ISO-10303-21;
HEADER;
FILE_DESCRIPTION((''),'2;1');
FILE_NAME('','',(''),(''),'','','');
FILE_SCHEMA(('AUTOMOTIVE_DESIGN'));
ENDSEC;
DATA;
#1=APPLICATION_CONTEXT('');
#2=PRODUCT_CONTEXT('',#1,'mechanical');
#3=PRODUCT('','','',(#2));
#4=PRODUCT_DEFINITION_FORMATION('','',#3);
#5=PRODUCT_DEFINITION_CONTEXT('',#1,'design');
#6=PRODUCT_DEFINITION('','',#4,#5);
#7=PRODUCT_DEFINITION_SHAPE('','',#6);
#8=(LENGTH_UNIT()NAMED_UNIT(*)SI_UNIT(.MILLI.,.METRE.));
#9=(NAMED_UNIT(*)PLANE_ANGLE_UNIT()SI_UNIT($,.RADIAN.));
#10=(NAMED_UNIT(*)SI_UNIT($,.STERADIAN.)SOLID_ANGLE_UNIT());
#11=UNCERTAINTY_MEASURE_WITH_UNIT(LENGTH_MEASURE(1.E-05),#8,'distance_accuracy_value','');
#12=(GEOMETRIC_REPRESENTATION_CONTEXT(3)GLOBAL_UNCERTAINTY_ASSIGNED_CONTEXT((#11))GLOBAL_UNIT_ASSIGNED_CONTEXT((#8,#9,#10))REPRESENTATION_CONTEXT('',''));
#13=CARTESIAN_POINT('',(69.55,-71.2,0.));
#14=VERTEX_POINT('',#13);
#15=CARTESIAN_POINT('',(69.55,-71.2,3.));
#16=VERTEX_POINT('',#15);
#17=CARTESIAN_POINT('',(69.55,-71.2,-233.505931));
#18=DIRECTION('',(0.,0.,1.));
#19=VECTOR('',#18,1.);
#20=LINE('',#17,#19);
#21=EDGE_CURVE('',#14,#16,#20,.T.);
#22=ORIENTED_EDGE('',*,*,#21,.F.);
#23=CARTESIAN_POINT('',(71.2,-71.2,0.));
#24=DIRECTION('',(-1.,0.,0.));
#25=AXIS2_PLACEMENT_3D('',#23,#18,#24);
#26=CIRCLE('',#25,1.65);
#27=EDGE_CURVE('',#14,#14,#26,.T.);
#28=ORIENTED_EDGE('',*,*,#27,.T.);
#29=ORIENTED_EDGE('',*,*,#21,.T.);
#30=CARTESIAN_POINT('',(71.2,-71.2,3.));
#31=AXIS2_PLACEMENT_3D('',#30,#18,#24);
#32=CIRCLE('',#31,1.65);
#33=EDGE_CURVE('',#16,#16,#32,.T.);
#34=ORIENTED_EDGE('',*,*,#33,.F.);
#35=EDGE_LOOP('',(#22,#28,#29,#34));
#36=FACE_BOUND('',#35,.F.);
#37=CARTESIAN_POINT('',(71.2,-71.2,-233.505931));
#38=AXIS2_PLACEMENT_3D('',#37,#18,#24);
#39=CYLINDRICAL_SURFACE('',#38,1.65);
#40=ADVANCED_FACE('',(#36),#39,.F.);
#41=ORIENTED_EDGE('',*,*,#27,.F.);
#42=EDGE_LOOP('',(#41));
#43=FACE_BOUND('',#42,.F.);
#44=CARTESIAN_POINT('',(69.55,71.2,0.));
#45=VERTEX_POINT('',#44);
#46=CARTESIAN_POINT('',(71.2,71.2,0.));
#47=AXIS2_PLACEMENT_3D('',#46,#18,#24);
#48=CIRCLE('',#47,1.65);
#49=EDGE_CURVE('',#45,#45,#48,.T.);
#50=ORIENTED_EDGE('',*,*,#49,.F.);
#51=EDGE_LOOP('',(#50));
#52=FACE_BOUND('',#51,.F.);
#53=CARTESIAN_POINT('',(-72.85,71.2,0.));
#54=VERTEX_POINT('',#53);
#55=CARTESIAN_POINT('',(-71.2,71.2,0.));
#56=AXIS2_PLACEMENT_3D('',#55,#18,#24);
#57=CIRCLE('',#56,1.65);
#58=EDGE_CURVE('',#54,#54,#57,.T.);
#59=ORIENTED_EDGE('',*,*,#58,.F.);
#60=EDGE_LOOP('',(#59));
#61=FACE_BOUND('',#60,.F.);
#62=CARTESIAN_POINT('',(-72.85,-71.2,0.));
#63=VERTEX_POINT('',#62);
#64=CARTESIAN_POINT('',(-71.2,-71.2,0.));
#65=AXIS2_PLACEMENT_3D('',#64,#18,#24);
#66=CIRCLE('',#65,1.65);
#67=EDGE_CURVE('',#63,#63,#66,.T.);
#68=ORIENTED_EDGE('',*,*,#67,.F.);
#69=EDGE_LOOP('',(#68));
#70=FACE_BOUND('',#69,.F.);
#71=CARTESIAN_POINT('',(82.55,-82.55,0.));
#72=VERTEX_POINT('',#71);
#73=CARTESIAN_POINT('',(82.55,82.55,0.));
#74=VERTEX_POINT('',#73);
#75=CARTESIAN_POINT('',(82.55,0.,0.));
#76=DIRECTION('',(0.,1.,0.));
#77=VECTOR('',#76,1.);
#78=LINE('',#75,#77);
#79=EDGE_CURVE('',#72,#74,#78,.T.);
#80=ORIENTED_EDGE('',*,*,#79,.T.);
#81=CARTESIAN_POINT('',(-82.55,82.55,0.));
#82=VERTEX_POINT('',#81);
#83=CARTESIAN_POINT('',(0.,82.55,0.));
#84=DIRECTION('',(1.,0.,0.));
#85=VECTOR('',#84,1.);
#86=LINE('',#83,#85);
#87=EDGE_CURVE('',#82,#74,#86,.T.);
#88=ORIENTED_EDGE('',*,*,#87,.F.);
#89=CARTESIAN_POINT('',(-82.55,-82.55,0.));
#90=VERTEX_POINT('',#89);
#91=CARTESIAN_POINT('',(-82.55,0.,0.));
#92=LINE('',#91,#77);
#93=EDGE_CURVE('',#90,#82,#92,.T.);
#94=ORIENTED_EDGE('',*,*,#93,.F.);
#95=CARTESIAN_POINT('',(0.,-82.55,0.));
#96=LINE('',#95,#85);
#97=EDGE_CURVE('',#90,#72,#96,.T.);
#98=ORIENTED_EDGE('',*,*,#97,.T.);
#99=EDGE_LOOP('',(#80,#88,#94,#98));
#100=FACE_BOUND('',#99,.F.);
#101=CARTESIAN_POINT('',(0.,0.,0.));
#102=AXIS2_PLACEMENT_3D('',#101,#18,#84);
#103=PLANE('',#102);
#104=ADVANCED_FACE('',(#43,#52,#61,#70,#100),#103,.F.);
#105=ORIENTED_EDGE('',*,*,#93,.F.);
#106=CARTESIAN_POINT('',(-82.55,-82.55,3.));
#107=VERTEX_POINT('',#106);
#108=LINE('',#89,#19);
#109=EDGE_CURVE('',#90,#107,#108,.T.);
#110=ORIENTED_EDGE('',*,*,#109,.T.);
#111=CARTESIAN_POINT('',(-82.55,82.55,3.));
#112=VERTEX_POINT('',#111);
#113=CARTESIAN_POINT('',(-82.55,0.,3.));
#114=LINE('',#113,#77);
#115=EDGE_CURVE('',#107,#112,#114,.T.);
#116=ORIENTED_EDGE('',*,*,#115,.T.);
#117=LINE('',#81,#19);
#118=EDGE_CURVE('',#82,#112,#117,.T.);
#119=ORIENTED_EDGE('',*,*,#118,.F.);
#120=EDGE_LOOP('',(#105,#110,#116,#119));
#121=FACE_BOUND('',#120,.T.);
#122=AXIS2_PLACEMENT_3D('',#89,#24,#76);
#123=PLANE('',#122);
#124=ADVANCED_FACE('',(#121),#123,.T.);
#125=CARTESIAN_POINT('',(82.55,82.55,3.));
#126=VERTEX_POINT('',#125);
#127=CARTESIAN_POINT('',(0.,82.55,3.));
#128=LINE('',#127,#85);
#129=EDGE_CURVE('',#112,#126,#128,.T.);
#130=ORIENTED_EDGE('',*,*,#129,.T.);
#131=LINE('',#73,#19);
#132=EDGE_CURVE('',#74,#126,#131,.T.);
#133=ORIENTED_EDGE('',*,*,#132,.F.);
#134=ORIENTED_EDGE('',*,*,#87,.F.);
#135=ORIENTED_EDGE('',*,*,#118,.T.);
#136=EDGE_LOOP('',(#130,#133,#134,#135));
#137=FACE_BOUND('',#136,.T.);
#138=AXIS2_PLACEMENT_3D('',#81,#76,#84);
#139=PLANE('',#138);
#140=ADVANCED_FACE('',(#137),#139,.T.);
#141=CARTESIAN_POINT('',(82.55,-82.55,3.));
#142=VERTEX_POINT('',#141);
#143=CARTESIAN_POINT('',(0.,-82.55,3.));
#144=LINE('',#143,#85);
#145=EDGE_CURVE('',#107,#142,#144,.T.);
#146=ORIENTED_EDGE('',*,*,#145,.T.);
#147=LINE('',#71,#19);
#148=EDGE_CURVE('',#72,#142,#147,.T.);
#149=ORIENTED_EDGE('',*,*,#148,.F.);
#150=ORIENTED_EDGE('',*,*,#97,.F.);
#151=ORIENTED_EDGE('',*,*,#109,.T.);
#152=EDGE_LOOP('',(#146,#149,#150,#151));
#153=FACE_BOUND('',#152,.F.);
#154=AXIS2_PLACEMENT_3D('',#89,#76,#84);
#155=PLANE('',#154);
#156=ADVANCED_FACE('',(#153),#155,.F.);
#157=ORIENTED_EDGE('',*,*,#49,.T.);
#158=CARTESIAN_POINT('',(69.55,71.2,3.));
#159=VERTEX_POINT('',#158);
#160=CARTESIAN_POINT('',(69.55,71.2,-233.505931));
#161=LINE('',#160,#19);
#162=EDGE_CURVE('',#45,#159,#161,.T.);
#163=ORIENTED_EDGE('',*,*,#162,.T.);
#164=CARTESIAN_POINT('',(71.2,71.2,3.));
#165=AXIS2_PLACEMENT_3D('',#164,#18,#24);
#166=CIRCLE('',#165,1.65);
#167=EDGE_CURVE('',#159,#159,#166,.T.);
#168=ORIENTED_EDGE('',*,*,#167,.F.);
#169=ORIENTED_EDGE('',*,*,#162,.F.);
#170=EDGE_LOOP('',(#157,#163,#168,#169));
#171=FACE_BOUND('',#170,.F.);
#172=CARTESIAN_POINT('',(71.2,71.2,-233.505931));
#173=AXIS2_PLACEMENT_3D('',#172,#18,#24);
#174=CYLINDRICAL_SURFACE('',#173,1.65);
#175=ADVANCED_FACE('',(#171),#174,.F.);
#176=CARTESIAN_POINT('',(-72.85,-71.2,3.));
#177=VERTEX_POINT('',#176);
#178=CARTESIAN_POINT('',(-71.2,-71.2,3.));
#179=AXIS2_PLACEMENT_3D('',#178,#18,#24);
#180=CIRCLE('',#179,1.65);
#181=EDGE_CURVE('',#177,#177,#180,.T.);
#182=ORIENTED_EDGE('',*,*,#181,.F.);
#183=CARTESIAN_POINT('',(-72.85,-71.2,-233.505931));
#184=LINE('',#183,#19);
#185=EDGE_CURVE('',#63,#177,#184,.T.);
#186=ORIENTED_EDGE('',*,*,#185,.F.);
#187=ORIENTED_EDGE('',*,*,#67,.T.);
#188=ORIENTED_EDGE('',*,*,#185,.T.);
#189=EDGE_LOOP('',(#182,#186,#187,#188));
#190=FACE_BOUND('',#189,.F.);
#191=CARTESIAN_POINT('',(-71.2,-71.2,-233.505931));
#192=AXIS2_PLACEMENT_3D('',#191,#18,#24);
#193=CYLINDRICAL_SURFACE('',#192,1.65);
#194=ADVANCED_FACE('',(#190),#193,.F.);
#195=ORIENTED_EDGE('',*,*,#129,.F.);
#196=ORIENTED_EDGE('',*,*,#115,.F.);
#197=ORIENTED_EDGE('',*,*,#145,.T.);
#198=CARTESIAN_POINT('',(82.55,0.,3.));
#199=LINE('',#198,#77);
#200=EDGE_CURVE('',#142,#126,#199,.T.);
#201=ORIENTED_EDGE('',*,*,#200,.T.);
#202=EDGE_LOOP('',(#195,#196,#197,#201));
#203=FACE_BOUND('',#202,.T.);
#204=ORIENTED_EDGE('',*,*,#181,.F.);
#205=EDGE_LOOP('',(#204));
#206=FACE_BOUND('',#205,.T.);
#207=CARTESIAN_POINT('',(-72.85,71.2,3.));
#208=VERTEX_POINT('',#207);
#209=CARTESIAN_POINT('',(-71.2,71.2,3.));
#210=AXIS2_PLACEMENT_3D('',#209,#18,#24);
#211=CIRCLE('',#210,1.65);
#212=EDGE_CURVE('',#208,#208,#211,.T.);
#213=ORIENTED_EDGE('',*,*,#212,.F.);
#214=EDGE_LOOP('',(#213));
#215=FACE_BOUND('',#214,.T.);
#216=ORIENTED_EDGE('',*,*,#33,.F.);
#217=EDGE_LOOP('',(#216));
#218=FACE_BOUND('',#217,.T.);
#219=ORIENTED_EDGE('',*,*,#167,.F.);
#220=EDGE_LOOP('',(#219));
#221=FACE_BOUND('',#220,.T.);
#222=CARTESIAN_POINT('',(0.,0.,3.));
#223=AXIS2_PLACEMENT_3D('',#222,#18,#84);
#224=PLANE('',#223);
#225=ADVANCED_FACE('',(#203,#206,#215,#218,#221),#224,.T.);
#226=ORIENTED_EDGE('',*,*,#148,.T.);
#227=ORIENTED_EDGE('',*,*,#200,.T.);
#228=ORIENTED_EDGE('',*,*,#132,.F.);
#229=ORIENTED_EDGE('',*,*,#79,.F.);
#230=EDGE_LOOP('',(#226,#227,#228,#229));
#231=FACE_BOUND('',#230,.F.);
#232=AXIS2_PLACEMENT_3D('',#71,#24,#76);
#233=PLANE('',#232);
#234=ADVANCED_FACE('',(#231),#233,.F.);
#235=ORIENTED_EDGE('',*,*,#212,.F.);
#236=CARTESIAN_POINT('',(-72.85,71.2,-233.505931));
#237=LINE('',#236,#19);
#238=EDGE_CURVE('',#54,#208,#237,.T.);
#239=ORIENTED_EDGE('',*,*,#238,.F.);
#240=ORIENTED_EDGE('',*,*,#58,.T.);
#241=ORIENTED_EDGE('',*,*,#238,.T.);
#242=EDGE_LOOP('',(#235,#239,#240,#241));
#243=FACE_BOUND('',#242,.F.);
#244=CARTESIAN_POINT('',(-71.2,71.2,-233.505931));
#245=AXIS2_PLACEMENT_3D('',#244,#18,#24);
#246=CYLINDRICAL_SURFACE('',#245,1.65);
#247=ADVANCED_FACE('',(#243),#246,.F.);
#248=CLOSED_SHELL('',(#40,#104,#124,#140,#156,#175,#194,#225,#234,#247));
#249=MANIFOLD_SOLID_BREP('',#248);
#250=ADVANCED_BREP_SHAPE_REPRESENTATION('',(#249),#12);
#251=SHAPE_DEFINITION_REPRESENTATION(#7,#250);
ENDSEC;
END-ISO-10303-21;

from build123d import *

# Parameters (mm, degrees)
F0_W     = 165.1
F0_H     = 165.1
F1_DEPTH = 3
F2_D     = 3.3


with BuildPart() as f1:
    # F0 (on Top) → F1 (new body)
    with BuildSketch(Plane.XY):
        Rectangle(F0_W, F0_H)
    extrude(amount=F1_DEPTH)

    # F2 (through all)
    with Locations(Plane(origin=(0, 0, 0), x_dir=(1, 0, 0), z_dir=(0, 0, -1))):
        with Locations((-71.2, -71.2), (71.2, -71.2), (71.2, 71.2), (-71.2, 71.2)):
            Hole(F2_D / 2)


solid = f1.part
